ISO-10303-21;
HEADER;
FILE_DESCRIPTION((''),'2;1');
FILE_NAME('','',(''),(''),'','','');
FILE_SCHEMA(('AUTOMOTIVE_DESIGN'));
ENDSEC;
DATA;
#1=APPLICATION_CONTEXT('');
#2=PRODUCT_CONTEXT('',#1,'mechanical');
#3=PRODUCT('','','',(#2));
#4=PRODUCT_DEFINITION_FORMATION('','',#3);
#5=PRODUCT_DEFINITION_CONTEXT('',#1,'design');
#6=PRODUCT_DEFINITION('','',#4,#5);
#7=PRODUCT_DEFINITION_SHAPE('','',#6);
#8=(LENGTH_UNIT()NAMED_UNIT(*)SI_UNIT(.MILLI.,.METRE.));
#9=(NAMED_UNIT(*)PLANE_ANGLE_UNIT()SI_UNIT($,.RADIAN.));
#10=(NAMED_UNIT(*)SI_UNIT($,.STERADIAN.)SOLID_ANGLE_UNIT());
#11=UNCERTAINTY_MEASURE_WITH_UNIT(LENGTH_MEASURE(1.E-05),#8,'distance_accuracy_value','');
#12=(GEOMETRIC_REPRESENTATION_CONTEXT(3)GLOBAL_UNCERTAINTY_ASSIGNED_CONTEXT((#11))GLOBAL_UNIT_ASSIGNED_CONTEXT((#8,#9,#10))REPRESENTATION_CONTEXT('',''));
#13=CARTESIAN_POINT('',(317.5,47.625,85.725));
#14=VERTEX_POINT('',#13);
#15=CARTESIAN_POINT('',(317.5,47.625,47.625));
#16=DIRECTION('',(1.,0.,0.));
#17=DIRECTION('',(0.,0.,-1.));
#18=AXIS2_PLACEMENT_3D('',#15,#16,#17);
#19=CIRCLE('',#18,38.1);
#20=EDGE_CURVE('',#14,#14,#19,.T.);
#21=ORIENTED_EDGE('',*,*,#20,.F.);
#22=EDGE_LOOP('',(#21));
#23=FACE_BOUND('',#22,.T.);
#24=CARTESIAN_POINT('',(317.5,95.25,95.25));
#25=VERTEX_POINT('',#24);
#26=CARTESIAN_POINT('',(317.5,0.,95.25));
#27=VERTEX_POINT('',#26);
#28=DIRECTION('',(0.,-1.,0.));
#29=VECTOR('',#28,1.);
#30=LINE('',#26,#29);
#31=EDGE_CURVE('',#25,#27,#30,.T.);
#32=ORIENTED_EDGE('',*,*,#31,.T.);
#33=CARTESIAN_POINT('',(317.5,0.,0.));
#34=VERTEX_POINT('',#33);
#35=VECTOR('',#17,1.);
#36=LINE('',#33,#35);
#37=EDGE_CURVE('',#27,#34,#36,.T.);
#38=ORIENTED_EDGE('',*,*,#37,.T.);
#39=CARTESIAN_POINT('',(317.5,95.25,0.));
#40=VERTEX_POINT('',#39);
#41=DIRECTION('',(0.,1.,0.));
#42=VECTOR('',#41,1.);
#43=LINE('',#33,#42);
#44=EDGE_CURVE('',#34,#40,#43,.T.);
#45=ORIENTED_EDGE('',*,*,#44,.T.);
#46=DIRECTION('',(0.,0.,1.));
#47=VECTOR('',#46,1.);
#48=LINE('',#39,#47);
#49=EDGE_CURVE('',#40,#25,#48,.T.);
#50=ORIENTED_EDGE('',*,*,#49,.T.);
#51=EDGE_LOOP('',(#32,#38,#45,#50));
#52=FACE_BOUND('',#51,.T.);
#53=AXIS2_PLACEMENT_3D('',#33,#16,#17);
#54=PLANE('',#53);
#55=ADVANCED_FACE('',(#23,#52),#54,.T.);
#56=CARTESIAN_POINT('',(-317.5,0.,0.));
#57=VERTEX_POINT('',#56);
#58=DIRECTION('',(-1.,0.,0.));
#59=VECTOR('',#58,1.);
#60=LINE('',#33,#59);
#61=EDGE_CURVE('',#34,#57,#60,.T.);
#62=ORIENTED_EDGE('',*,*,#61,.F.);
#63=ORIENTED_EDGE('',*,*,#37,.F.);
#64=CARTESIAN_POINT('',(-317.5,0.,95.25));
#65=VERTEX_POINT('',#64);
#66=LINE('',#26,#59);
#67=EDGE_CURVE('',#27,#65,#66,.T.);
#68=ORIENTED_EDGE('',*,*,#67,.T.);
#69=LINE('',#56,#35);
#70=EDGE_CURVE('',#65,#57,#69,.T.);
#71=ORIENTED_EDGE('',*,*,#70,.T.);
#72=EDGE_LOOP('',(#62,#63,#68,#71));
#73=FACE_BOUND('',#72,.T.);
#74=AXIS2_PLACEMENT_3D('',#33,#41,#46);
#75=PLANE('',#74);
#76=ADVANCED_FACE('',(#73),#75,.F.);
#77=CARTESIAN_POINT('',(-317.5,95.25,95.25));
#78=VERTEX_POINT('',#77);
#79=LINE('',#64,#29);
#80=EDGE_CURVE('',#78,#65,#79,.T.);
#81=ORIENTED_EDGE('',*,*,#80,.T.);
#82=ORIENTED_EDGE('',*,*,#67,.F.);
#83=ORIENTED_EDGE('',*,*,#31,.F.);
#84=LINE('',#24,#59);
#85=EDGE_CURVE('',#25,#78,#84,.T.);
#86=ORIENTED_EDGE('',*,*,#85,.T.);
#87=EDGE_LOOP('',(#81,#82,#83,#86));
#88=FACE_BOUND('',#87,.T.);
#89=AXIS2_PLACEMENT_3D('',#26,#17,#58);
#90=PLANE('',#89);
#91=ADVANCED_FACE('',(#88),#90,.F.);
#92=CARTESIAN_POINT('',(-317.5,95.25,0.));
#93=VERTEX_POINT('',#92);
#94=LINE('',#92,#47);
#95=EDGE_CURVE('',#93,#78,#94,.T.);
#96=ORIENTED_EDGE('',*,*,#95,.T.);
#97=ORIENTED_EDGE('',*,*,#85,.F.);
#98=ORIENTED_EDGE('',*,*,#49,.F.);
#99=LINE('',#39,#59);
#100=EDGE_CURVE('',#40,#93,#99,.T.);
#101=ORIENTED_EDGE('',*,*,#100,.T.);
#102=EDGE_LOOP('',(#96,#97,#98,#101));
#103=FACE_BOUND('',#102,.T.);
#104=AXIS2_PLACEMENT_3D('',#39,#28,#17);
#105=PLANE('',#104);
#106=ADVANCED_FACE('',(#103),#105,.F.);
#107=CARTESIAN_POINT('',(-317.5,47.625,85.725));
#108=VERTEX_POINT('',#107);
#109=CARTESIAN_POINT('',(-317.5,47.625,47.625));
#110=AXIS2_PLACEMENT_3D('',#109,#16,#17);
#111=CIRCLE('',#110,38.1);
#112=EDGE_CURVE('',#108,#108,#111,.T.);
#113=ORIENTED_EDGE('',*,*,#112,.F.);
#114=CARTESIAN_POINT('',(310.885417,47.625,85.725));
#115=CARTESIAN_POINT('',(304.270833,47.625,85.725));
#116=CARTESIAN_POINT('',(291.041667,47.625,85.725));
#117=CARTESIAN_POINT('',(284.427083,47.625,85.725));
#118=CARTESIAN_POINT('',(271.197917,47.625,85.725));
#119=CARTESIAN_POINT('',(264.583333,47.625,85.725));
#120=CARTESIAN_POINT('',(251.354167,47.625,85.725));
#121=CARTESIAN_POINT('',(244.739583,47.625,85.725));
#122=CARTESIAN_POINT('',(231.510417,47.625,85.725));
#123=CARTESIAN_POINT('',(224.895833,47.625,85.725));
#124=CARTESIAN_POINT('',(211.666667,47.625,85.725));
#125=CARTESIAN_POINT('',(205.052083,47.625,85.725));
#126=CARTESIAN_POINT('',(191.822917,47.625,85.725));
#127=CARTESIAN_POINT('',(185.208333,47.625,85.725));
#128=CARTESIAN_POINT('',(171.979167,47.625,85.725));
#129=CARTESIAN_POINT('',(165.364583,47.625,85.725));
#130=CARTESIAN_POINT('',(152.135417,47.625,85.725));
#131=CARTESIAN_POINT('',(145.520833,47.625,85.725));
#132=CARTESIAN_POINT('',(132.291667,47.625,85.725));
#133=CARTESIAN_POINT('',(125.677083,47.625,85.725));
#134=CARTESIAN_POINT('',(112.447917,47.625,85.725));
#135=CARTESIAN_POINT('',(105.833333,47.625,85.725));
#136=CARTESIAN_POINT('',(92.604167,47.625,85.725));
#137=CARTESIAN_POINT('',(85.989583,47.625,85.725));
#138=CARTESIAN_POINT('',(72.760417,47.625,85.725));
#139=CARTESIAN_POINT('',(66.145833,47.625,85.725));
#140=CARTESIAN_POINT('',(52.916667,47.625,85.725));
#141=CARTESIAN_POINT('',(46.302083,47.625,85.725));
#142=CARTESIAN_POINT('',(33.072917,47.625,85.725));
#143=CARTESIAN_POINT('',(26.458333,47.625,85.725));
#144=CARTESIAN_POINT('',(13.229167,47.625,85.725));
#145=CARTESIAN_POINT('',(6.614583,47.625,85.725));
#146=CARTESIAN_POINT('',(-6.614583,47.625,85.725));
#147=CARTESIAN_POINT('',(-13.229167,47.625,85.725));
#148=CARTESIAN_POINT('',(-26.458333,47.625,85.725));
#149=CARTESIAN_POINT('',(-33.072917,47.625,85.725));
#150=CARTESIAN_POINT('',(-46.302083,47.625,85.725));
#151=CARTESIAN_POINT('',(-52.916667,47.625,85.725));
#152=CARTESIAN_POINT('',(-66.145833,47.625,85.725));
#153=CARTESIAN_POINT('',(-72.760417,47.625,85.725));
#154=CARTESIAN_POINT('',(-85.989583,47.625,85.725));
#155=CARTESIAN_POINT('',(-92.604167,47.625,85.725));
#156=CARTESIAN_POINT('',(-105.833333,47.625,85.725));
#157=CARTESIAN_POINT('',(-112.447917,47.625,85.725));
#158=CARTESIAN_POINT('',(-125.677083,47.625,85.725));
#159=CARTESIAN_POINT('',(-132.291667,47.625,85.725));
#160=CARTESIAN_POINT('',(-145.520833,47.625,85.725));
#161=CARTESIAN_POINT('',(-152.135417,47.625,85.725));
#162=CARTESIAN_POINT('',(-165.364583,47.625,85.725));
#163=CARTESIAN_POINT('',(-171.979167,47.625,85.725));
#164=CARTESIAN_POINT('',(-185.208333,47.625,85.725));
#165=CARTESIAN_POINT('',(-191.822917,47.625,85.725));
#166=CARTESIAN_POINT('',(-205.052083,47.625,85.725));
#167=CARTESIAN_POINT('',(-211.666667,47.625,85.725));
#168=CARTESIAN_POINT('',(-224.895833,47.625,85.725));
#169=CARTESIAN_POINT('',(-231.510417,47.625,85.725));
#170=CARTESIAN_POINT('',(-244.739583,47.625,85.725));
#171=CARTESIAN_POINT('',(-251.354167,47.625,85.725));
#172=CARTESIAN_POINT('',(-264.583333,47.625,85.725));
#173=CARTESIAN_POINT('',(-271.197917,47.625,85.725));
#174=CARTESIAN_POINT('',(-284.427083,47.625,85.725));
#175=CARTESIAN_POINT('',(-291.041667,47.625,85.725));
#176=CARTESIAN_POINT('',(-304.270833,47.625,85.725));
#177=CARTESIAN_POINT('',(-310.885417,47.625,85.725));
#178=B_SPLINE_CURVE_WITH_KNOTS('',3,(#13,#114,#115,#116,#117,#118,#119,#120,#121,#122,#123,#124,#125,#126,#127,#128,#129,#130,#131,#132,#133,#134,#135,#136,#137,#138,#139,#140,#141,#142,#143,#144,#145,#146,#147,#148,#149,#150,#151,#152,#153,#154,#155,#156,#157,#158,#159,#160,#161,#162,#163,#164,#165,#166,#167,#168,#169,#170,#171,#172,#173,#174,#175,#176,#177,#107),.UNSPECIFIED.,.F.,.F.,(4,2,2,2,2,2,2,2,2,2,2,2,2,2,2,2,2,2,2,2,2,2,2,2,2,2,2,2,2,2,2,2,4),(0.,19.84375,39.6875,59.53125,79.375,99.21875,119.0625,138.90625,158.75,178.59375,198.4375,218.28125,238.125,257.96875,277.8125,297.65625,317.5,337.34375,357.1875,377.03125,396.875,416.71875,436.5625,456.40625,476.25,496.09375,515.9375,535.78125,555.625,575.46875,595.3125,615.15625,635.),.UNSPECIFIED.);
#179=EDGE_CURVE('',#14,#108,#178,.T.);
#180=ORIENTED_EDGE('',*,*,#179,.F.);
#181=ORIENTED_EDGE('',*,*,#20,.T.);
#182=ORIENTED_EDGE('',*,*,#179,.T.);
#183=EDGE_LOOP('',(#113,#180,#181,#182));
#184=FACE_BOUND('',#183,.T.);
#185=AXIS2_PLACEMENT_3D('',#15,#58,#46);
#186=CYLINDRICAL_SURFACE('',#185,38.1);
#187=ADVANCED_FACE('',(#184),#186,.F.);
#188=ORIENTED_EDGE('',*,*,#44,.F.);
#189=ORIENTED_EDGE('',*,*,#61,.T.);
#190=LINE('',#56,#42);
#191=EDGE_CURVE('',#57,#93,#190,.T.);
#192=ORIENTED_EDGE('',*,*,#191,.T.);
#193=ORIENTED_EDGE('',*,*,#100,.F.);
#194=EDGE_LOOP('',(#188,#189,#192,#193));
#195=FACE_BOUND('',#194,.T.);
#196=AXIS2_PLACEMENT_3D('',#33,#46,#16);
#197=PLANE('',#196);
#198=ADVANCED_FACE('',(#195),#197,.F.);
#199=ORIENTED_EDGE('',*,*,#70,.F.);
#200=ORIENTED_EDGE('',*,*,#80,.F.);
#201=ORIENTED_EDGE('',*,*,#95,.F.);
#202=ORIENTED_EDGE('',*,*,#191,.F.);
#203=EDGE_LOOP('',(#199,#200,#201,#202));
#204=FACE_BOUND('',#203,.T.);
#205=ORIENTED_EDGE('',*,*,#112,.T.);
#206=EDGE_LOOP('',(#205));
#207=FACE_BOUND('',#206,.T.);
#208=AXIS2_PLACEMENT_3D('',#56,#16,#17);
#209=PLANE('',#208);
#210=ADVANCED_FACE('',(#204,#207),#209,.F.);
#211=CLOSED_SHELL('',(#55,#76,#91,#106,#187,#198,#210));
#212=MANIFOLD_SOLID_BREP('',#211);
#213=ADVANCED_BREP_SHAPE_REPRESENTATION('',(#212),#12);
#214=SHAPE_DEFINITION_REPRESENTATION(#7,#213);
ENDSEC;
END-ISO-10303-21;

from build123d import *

# Parameters (mm, degrees)
SKETCH1_W           = 95.25
SKETCH1_H           = 95.25
SKETCH1_R           = 38.1
BOSS_EXTRUDE1_DEPTH = 317.5


with BuildPart() as part:
    # Sketch1 → Boss-Extrude1 (new, symmetric)
    with BuildSketch(Plane(origin=(0, 0, 0), x_dir=(0, 0, -1), z_dir=(1, 0, 0))):
        with Locations((-47.625, 47.625)):
            Rectangle(SKETCH1_W, SKETCH1_H)
        with Locations(Location((-47.625, 47.625, 0), (0, 0, 180))):
            Circle(SKETCH1_R, mode=Mode.SUBTRACT)
    extrude(amount=BOSS_EXTRUDE1_DEPTH, both=True)


solid = part.part
